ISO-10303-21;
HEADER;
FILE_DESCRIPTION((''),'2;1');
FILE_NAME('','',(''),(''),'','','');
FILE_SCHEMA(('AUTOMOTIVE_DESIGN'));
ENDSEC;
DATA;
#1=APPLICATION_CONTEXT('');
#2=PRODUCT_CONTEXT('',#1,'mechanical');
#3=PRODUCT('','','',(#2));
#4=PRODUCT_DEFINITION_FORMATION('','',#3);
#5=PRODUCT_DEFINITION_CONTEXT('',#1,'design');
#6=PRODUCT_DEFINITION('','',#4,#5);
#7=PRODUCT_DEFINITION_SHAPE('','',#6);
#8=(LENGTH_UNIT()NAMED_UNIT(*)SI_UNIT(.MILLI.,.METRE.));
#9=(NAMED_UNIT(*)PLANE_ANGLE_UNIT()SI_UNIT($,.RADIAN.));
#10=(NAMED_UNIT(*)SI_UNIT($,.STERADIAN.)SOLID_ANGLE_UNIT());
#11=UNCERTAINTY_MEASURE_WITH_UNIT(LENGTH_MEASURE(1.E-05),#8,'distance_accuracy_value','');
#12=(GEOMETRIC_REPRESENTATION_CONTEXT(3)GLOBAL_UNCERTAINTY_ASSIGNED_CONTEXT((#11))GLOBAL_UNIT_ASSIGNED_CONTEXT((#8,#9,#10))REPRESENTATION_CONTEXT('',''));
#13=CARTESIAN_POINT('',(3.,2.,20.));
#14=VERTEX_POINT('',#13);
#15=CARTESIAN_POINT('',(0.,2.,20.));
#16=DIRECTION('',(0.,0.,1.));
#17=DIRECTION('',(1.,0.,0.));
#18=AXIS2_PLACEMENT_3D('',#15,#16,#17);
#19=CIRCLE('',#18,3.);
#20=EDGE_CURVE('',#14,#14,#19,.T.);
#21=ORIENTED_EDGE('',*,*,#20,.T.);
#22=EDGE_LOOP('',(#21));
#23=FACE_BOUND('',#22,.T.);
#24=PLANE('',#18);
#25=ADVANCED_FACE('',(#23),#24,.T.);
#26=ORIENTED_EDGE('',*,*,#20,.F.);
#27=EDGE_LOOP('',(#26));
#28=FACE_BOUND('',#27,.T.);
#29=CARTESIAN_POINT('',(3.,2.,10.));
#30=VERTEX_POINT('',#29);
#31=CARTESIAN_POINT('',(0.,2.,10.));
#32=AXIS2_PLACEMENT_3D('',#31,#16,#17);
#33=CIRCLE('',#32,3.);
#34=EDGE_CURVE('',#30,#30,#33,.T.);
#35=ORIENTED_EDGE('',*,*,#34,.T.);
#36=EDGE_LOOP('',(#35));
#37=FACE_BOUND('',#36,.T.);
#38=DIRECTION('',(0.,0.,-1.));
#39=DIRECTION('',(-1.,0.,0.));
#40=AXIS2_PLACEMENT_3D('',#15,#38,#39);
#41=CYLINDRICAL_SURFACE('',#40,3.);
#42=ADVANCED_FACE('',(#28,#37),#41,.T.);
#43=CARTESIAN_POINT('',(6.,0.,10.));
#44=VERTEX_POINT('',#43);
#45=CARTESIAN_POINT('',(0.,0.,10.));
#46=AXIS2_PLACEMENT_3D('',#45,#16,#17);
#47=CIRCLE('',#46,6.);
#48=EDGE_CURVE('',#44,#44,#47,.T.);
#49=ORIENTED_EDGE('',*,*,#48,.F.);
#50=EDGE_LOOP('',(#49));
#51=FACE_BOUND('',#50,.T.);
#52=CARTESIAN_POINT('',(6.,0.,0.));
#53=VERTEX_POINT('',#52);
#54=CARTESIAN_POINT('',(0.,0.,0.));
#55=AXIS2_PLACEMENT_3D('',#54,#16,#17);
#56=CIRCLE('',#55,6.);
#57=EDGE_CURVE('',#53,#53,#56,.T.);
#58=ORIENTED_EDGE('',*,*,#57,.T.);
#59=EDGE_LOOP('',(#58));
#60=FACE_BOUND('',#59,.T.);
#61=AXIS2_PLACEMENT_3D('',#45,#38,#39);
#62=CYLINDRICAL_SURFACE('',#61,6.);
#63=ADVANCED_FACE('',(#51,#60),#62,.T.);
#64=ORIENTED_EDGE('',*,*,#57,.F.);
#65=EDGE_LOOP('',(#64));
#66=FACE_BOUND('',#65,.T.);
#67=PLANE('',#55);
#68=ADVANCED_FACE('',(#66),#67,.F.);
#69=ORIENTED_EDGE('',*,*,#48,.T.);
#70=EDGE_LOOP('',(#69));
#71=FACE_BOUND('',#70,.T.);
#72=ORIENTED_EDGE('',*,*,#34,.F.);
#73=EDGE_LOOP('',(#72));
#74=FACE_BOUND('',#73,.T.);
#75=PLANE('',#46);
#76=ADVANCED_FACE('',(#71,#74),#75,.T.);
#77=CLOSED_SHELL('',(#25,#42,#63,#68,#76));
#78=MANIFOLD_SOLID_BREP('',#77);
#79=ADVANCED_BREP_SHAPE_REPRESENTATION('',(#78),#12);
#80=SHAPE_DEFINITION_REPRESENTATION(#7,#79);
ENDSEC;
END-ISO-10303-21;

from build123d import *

# Parameters (mm, degrees)
ESQUISSE1_R        = 6
BOSS_EXTRU_1_DEPTH = 10
ESQUISSE2_R        = 3
BOSS_EXTRU_2_DEPTH = 10


with BuildPart() as part:
    # Esquisse1 → Boss.-Extru.1 (new body)
    with BuildSketch(Plane.XY):
        Circle(ESQUISSE1_R)
    extrude(amount=BOSS_EXTRU_1_DEPTH)

    # Esquisse2 → Boss.-Extru.2 (add)
    with BuildSketch(Plane.XY.offset(10)):
        with Locations((0, 2)):
            Circle(ESQUISSE2_R)
    extrude(amount=BOSS_EXTRU_2_DEPTH)


solid = part.part
